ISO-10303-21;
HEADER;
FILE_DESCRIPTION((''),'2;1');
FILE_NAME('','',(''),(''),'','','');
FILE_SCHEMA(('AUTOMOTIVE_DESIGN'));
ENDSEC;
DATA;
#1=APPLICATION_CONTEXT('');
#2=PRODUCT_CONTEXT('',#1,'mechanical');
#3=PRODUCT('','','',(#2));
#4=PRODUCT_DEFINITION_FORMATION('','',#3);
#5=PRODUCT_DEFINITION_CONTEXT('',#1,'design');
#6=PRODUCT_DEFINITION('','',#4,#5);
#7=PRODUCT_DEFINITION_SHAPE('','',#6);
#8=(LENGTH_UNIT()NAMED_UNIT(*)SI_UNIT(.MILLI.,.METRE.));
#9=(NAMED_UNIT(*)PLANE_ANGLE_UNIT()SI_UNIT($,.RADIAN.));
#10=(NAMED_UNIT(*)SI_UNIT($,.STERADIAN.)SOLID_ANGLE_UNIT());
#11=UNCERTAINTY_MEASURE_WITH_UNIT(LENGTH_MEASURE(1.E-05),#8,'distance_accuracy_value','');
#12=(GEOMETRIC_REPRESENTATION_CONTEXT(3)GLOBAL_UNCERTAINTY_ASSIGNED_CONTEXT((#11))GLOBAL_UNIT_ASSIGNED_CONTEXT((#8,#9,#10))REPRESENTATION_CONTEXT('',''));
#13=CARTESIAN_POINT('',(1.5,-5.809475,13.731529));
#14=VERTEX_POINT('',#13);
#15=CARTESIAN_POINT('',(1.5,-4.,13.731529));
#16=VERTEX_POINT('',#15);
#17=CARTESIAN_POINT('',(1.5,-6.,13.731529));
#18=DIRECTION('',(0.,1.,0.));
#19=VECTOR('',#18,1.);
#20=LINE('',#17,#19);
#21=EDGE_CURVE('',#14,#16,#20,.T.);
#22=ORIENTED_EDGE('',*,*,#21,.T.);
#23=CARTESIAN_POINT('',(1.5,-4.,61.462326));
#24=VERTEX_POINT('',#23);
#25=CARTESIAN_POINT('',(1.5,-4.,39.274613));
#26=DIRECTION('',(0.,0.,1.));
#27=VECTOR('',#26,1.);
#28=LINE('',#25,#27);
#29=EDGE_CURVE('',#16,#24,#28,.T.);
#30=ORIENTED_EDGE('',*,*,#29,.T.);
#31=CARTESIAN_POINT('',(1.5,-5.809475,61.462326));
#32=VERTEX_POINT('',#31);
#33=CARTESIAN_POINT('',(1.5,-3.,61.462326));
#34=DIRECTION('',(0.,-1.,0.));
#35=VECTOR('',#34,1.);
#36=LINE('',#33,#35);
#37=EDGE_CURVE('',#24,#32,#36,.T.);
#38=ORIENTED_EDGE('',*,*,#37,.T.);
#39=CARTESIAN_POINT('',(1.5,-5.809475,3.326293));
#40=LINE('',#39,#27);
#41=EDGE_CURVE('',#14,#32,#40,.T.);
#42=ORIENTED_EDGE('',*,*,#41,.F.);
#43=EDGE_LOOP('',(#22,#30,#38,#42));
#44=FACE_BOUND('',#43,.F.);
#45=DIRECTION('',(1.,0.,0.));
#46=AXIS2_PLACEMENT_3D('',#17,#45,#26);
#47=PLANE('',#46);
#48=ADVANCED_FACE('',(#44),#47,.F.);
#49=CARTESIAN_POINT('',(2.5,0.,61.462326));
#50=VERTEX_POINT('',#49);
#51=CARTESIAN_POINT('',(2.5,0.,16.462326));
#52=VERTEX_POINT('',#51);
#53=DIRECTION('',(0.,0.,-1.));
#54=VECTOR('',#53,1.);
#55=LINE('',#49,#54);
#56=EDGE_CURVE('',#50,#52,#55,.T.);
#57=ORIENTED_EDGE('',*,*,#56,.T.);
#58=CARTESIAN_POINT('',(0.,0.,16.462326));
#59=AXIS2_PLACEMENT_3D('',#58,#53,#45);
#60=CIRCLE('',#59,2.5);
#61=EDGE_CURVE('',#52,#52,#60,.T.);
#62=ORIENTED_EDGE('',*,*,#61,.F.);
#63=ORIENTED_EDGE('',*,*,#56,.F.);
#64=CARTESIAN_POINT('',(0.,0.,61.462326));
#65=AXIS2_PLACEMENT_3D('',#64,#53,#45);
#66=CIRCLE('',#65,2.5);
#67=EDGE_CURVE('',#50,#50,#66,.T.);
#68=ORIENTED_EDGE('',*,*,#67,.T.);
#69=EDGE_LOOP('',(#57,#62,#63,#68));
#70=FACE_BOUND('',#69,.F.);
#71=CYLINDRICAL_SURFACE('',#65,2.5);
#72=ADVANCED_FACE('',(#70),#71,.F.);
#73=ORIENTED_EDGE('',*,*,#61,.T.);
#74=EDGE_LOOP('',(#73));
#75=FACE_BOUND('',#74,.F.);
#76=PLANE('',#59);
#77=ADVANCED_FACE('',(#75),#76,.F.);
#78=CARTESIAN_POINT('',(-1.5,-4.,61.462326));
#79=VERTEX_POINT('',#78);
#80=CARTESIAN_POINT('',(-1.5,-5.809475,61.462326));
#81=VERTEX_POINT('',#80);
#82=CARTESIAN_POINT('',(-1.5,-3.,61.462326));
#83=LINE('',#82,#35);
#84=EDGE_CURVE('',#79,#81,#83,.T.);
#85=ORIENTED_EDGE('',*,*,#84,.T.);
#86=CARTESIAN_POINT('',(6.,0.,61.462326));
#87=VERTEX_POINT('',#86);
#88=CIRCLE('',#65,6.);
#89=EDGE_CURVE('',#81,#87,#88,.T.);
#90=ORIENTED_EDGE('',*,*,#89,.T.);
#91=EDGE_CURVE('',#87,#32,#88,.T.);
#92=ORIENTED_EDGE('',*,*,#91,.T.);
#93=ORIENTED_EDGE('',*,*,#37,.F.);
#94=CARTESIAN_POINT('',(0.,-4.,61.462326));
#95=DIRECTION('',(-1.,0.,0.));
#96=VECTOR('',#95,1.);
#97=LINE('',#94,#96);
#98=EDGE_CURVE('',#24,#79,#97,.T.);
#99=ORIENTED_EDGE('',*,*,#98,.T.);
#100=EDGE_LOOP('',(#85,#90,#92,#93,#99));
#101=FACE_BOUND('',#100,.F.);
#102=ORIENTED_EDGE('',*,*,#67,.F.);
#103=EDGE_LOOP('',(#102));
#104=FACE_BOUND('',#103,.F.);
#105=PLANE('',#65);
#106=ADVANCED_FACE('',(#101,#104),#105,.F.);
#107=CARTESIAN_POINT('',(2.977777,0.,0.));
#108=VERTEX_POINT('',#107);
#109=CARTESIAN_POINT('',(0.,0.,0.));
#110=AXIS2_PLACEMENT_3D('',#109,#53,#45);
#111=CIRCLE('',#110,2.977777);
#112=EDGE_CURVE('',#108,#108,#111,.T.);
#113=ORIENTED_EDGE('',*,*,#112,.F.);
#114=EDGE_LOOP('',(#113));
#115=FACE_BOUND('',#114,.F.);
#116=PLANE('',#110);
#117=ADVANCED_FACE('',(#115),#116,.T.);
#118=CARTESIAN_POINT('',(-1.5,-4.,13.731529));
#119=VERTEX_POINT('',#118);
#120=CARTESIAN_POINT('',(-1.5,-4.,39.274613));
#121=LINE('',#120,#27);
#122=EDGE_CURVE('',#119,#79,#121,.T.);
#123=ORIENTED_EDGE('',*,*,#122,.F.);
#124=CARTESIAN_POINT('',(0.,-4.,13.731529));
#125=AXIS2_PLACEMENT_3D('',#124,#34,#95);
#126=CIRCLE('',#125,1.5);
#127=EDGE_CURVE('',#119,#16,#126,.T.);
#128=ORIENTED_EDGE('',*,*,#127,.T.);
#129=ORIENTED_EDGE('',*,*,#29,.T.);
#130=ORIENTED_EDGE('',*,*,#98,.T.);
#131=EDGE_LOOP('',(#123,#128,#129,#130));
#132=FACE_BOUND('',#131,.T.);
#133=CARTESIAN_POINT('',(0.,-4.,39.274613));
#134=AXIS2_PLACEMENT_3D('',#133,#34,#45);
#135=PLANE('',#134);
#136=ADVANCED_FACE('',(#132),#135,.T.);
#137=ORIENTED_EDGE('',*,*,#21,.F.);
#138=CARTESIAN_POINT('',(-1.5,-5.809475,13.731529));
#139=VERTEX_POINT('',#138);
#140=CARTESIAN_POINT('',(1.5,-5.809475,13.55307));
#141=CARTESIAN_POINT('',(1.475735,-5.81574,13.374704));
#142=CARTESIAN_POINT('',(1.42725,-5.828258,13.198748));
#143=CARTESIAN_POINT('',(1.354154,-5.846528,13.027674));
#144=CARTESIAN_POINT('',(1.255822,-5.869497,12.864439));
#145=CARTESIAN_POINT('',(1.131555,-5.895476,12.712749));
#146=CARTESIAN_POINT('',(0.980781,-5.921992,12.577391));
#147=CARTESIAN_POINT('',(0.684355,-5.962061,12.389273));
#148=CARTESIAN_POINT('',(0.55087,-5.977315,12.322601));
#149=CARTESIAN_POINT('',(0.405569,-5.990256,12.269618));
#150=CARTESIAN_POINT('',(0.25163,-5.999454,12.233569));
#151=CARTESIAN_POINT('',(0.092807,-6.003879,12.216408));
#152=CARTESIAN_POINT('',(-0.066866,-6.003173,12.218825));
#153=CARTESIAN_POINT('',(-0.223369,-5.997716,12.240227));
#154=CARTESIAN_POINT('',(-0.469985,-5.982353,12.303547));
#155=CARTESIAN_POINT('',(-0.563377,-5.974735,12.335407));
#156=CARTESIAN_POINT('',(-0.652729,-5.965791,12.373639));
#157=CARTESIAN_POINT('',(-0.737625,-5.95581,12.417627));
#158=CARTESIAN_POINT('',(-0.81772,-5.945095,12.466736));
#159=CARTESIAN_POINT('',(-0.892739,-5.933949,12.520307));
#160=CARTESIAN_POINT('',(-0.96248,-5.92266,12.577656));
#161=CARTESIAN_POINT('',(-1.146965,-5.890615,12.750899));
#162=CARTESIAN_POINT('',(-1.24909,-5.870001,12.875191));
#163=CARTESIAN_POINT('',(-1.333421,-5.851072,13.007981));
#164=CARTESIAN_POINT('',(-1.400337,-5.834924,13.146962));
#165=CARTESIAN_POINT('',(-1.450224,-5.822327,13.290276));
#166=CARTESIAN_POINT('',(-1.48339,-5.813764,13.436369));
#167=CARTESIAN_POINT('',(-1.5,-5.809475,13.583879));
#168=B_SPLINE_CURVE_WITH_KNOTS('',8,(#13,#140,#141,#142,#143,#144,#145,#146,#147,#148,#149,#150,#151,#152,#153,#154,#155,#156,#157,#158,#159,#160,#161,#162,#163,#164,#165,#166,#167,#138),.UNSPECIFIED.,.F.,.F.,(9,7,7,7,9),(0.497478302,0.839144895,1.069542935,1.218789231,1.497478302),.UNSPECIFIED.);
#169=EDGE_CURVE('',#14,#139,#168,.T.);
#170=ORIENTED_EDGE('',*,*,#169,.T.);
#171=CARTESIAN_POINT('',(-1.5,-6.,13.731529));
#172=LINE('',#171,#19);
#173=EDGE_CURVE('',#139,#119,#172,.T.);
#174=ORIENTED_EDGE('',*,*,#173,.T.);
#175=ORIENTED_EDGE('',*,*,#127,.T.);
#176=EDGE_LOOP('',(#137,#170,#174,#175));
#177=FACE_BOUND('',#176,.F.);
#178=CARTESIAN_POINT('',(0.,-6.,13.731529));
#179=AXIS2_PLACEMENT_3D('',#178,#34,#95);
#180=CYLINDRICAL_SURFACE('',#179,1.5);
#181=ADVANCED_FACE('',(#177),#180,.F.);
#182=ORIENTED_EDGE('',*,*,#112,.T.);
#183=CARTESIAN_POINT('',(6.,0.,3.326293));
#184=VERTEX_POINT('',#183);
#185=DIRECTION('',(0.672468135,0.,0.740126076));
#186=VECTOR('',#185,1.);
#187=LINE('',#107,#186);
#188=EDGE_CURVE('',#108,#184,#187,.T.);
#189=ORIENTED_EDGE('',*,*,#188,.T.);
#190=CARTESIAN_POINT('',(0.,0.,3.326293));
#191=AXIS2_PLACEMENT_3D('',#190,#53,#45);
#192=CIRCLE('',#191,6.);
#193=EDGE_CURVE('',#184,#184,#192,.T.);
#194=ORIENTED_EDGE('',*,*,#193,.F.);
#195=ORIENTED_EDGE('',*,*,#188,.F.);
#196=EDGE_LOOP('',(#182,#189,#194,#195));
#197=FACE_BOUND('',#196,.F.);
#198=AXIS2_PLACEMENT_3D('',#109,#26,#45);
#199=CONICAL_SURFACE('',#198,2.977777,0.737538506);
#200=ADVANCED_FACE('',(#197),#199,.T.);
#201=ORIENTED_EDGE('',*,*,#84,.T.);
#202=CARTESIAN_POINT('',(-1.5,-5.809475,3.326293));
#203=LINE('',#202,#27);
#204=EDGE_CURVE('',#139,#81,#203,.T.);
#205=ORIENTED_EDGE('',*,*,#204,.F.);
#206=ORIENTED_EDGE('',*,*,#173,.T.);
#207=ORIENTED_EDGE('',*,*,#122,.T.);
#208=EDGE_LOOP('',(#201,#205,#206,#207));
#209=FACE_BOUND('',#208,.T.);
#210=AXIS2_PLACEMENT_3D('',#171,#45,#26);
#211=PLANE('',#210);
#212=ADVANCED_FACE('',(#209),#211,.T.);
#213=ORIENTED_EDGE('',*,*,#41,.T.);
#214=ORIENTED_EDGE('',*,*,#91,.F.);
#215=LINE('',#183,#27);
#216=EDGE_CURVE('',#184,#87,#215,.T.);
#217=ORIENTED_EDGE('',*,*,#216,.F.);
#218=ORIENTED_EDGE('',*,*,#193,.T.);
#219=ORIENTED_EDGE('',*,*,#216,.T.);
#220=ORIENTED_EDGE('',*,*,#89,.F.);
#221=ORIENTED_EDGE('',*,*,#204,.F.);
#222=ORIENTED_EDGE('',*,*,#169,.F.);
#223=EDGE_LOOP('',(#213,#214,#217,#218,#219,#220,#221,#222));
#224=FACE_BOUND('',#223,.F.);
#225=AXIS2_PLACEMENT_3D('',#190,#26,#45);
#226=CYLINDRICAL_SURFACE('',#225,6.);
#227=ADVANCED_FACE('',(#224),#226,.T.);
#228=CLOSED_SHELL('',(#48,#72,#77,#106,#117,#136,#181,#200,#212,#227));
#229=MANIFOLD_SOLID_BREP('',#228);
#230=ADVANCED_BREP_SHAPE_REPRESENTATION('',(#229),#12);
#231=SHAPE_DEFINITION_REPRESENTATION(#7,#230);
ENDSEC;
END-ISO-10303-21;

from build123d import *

# Parameters (mm, degrees)
F3_W     = 3
F3_H     = 51.086168
F4_DEPTH = 2


with BuildPart() as f1:
    # F0 (on Front) → F1 (revolve)
    with BuildSketch(Plane.XZ):
        Polygon((0, 3.326293), (6, 3.326293), (6, 61.462326), (2.5, 61.462326), (2.5, 16.462326), (0, 16.462326), (0, 5.21718), align=None)
        Polygon((2.977777, 0), (6, 3.326293), (0, 3.326293), (0, 0), align=None)
    revolve(axis=Axis((0, 0, -12.16099), (0, 0, -1)))

    # F3 (on offset) → F4 (cut)
    with BuildSketch(Plane.XZ.offset(6)):
        with Locations((0, 39.274613)):
            Rectangle(F3_W, F3_H)
        with BuildLine():
            Line((1.5, 13.731529), (-1.5, 13.731529))
            ThreePointArc((-1.5, 13.731529), (0, 12.231529), (1.5, 13.731529))
        make_face()
    extrude(amount=-F4_DEPTH, mode=Mode.SUBTRACT)


solid = f1.part
